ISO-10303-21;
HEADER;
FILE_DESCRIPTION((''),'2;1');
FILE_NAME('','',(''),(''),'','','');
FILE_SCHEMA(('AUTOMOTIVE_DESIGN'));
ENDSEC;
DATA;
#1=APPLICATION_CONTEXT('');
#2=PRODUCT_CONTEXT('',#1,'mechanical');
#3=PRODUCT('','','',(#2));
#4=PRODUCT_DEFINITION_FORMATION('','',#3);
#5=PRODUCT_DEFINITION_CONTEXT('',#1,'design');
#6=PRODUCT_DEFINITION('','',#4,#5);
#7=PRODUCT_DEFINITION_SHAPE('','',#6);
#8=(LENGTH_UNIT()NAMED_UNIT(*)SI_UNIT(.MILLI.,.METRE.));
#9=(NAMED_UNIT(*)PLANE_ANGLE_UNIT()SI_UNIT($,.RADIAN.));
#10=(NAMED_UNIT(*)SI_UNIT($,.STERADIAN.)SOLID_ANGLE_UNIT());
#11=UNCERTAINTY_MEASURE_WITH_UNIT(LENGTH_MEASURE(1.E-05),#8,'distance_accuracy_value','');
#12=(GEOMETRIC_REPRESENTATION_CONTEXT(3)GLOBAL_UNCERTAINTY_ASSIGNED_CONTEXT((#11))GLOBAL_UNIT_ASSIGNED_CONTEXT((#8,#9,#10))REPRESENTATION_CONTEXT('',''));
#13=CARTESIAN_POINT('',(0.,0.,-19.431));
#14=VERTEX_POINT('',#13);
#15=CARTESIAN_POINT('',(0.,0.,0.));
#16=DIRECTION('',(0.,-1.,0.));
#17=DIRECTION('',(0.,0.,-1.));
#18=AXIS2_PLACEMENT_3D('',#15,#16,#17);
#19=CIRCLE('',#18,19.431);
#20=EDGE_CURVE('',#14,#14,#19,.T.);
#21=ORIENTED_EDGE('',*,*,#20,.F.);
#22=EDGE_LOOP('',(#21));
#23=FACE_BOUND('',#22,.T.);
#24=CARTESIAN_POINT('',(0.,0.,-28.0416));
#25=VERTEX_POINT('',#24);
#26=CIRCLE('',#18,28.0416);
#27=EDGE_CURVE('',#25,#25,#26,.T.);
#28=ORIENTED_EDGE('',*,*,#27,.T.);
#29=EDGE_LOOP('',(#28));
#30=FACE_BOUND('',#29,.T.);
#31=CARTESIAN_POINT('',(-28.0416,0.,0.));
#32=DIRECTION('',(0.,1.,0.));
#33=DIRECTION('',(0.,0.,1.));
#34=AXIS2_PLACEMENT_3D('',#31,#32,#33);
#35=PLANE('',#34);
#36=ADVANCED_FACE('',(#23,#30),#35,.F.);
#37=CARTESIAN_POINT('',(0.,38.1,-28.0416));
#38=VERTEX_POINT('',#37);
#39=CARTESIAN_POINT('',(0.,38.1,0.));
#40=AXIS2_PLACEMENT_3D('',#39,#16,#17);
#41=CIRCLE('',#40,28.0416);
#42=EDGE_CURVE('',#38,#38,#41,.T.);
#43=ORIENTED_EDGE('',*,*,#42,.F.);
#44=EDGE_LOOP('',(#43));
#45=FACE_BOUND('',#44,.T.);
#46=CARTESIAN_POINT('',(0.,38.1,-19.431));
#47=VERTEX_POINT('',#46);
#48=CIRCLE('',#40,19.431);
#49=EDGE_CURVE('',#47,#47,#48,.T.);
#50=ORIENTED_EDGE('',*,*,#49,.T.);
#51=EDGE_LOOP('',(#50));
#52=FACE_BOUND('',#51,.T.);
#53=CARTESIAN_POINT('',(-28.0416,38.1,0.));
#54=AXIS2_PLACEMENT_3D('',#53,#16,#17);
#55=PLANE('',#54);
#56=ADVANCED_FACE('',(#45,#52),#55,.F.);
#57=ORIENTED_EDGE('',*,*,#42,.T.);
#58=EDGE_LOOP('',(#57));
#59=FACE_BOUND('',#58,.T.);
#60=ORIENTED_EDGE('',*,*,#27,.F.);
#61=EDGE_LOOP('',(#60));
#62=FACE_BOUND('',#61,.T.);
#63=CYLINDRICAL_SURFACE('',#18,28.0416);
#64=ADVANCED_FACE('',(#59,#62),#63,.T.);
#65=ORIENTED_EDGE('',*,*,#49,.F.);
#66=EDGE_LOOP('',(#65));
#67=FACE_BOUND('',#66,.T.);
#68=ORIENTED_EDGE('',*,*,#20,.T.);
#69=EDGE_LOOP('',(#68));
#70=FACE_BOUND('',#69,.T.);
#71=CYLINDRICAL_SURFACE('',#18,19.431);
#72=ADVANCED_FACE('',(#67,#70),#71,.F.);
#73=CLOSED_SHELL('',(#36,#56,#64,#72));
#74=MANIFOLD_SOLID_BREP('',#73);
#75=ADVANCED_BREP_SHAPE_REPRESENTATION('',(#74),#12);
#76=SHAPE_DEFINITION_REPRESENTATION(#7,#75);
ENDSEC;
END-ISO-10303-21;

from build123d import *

# Parameters (mm, degrees)
SKETCH1_W = 8.6106
SKETCH1_H = 38.1


with BuildPart() as part:
    # Sketch1 → Revolve1 (revolve)
    with BuildSketch(Plane.XY):
        with Locations((-23.7363, 19.05)):
            Rectangle(SKETCH1_W, SKETCH1_H)
    revolve(axis=Axis((0, 0, 0), (0, 1, 0)))


solid = part.part
